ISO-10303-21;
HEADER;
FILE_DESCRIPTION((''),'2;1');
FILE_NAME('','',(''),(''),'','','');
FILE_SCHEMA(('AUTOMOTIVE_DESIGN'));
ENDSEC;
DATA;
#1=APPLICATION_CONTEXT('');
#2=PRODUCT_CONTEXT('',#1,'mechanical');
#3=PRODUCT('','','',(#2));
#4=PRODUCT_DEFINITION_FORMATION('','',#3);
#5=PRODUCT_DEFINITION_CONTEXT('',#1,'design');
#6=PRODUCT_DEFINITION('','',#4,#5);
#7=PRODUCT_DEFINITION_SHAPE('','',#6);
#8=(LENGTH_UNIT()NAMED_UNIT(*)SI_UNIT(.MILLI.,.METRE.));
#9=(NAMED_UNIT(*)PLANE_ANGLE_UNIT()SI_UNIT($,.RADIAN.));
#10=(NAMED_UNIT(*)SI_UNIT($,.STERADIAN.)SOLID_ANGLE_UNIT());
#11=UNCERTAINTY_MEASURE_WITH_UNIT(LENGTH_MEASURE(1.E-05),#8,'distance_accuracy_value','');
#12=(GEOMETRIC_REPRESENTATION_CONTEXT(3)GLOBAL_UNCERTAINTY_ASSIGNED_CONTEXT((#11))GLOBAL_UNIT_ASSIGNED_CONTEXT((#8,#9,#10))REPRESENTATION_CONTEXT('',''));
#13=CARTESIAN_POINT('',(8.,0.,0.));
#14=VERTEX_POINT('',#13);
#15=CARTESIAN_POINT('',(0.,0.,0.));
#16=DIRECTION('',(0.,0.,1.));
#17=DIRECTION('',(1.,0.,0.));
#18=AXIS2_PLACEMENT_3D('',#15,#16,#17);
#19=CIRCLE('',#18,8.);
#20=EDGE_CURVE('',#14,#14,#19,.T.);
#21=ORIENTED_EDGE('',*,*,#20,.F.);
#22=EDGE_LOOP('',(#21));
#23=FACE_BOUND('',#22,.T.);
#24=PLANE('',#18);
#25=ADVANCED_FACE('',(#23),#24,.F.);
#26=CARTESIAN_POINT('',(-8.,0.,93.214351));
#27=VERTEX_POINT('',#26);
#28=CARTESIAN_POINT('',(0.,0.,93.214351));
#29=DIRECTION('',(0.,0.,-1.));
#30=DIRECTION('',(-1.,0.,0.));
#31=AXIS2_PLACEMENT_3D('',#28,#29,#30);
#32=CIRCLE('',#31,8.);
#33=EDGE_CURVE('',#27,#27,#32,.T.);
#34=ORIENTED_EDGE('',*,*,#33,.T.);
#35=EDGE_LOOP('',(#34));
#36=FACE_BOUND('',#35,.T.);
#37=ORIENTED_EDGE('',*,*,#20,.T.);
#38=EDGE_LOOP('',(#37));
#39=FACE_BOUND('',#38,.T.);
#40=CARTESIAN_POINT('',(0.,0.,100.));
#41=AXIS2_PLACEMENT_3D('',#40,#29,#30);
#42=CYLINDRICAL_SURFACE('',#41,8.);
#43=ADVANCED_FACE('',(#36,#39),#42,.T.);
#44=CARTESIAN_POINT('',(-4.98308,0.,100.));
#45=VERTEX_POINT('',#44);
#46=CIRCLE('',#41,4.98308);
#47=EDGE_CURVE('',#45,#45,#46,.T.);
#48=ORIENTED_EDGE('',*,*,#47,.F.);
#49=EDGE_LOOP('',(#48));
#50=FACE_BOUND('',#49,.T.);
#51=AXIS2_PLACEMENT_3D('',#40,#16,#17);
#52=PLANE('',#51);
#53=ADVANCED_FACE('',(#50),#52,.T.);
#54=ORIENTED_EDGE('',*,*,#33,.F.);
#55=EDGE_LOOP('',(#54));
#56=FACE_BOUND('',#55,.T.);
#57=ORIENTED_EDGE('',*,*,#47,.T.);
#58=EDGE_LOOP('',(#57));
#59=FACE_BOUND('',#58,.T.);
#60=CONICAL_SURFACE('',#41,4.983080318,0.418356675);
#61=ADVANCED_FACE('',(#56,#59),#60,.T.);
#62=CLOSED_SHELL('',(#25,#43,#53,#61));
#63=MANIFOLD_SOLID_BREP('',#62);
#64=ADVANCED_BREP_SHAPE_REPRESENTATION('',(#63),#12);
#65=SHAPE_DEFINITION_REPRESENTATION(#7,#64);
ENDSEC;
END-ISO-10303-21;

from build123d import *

# Parameters (mm, degrees)
SKETCH1_R           = 8
BOSS_EXTRUDE1_DEPTH = 100


with BuildPart() as part:
    # Sketch1 → Boss-Extrude1 (new body)
    with BuildSketch(Plane.XY):
        Circle(SKETCH1_R)
    extrude(amount=BOSS_EXTRUDE1_DEPTH)

    # Sketch2 → Cut-Revolve2 (revolve, cut)
    with BuildSketch(Plane(origin=(0, 0, 0), x_dir=(0, 0, -1), z_dir=(1, 0, 0)), mode=Mode.PRIVATE) as cut_revolve2_sk:
        Polygon((-100, 4.983080318), (-100, 8), (-93.214350596, 8), align=None)
    revolve(cut_revolve2_sk.sketch.rotate(Axis((0, 0, 100), (0, 0, 1)), 90), axis=Axis((0, 0, 100), (0, 0, 1)), mode=Mode.SUBTRACT)


solid = part.part
